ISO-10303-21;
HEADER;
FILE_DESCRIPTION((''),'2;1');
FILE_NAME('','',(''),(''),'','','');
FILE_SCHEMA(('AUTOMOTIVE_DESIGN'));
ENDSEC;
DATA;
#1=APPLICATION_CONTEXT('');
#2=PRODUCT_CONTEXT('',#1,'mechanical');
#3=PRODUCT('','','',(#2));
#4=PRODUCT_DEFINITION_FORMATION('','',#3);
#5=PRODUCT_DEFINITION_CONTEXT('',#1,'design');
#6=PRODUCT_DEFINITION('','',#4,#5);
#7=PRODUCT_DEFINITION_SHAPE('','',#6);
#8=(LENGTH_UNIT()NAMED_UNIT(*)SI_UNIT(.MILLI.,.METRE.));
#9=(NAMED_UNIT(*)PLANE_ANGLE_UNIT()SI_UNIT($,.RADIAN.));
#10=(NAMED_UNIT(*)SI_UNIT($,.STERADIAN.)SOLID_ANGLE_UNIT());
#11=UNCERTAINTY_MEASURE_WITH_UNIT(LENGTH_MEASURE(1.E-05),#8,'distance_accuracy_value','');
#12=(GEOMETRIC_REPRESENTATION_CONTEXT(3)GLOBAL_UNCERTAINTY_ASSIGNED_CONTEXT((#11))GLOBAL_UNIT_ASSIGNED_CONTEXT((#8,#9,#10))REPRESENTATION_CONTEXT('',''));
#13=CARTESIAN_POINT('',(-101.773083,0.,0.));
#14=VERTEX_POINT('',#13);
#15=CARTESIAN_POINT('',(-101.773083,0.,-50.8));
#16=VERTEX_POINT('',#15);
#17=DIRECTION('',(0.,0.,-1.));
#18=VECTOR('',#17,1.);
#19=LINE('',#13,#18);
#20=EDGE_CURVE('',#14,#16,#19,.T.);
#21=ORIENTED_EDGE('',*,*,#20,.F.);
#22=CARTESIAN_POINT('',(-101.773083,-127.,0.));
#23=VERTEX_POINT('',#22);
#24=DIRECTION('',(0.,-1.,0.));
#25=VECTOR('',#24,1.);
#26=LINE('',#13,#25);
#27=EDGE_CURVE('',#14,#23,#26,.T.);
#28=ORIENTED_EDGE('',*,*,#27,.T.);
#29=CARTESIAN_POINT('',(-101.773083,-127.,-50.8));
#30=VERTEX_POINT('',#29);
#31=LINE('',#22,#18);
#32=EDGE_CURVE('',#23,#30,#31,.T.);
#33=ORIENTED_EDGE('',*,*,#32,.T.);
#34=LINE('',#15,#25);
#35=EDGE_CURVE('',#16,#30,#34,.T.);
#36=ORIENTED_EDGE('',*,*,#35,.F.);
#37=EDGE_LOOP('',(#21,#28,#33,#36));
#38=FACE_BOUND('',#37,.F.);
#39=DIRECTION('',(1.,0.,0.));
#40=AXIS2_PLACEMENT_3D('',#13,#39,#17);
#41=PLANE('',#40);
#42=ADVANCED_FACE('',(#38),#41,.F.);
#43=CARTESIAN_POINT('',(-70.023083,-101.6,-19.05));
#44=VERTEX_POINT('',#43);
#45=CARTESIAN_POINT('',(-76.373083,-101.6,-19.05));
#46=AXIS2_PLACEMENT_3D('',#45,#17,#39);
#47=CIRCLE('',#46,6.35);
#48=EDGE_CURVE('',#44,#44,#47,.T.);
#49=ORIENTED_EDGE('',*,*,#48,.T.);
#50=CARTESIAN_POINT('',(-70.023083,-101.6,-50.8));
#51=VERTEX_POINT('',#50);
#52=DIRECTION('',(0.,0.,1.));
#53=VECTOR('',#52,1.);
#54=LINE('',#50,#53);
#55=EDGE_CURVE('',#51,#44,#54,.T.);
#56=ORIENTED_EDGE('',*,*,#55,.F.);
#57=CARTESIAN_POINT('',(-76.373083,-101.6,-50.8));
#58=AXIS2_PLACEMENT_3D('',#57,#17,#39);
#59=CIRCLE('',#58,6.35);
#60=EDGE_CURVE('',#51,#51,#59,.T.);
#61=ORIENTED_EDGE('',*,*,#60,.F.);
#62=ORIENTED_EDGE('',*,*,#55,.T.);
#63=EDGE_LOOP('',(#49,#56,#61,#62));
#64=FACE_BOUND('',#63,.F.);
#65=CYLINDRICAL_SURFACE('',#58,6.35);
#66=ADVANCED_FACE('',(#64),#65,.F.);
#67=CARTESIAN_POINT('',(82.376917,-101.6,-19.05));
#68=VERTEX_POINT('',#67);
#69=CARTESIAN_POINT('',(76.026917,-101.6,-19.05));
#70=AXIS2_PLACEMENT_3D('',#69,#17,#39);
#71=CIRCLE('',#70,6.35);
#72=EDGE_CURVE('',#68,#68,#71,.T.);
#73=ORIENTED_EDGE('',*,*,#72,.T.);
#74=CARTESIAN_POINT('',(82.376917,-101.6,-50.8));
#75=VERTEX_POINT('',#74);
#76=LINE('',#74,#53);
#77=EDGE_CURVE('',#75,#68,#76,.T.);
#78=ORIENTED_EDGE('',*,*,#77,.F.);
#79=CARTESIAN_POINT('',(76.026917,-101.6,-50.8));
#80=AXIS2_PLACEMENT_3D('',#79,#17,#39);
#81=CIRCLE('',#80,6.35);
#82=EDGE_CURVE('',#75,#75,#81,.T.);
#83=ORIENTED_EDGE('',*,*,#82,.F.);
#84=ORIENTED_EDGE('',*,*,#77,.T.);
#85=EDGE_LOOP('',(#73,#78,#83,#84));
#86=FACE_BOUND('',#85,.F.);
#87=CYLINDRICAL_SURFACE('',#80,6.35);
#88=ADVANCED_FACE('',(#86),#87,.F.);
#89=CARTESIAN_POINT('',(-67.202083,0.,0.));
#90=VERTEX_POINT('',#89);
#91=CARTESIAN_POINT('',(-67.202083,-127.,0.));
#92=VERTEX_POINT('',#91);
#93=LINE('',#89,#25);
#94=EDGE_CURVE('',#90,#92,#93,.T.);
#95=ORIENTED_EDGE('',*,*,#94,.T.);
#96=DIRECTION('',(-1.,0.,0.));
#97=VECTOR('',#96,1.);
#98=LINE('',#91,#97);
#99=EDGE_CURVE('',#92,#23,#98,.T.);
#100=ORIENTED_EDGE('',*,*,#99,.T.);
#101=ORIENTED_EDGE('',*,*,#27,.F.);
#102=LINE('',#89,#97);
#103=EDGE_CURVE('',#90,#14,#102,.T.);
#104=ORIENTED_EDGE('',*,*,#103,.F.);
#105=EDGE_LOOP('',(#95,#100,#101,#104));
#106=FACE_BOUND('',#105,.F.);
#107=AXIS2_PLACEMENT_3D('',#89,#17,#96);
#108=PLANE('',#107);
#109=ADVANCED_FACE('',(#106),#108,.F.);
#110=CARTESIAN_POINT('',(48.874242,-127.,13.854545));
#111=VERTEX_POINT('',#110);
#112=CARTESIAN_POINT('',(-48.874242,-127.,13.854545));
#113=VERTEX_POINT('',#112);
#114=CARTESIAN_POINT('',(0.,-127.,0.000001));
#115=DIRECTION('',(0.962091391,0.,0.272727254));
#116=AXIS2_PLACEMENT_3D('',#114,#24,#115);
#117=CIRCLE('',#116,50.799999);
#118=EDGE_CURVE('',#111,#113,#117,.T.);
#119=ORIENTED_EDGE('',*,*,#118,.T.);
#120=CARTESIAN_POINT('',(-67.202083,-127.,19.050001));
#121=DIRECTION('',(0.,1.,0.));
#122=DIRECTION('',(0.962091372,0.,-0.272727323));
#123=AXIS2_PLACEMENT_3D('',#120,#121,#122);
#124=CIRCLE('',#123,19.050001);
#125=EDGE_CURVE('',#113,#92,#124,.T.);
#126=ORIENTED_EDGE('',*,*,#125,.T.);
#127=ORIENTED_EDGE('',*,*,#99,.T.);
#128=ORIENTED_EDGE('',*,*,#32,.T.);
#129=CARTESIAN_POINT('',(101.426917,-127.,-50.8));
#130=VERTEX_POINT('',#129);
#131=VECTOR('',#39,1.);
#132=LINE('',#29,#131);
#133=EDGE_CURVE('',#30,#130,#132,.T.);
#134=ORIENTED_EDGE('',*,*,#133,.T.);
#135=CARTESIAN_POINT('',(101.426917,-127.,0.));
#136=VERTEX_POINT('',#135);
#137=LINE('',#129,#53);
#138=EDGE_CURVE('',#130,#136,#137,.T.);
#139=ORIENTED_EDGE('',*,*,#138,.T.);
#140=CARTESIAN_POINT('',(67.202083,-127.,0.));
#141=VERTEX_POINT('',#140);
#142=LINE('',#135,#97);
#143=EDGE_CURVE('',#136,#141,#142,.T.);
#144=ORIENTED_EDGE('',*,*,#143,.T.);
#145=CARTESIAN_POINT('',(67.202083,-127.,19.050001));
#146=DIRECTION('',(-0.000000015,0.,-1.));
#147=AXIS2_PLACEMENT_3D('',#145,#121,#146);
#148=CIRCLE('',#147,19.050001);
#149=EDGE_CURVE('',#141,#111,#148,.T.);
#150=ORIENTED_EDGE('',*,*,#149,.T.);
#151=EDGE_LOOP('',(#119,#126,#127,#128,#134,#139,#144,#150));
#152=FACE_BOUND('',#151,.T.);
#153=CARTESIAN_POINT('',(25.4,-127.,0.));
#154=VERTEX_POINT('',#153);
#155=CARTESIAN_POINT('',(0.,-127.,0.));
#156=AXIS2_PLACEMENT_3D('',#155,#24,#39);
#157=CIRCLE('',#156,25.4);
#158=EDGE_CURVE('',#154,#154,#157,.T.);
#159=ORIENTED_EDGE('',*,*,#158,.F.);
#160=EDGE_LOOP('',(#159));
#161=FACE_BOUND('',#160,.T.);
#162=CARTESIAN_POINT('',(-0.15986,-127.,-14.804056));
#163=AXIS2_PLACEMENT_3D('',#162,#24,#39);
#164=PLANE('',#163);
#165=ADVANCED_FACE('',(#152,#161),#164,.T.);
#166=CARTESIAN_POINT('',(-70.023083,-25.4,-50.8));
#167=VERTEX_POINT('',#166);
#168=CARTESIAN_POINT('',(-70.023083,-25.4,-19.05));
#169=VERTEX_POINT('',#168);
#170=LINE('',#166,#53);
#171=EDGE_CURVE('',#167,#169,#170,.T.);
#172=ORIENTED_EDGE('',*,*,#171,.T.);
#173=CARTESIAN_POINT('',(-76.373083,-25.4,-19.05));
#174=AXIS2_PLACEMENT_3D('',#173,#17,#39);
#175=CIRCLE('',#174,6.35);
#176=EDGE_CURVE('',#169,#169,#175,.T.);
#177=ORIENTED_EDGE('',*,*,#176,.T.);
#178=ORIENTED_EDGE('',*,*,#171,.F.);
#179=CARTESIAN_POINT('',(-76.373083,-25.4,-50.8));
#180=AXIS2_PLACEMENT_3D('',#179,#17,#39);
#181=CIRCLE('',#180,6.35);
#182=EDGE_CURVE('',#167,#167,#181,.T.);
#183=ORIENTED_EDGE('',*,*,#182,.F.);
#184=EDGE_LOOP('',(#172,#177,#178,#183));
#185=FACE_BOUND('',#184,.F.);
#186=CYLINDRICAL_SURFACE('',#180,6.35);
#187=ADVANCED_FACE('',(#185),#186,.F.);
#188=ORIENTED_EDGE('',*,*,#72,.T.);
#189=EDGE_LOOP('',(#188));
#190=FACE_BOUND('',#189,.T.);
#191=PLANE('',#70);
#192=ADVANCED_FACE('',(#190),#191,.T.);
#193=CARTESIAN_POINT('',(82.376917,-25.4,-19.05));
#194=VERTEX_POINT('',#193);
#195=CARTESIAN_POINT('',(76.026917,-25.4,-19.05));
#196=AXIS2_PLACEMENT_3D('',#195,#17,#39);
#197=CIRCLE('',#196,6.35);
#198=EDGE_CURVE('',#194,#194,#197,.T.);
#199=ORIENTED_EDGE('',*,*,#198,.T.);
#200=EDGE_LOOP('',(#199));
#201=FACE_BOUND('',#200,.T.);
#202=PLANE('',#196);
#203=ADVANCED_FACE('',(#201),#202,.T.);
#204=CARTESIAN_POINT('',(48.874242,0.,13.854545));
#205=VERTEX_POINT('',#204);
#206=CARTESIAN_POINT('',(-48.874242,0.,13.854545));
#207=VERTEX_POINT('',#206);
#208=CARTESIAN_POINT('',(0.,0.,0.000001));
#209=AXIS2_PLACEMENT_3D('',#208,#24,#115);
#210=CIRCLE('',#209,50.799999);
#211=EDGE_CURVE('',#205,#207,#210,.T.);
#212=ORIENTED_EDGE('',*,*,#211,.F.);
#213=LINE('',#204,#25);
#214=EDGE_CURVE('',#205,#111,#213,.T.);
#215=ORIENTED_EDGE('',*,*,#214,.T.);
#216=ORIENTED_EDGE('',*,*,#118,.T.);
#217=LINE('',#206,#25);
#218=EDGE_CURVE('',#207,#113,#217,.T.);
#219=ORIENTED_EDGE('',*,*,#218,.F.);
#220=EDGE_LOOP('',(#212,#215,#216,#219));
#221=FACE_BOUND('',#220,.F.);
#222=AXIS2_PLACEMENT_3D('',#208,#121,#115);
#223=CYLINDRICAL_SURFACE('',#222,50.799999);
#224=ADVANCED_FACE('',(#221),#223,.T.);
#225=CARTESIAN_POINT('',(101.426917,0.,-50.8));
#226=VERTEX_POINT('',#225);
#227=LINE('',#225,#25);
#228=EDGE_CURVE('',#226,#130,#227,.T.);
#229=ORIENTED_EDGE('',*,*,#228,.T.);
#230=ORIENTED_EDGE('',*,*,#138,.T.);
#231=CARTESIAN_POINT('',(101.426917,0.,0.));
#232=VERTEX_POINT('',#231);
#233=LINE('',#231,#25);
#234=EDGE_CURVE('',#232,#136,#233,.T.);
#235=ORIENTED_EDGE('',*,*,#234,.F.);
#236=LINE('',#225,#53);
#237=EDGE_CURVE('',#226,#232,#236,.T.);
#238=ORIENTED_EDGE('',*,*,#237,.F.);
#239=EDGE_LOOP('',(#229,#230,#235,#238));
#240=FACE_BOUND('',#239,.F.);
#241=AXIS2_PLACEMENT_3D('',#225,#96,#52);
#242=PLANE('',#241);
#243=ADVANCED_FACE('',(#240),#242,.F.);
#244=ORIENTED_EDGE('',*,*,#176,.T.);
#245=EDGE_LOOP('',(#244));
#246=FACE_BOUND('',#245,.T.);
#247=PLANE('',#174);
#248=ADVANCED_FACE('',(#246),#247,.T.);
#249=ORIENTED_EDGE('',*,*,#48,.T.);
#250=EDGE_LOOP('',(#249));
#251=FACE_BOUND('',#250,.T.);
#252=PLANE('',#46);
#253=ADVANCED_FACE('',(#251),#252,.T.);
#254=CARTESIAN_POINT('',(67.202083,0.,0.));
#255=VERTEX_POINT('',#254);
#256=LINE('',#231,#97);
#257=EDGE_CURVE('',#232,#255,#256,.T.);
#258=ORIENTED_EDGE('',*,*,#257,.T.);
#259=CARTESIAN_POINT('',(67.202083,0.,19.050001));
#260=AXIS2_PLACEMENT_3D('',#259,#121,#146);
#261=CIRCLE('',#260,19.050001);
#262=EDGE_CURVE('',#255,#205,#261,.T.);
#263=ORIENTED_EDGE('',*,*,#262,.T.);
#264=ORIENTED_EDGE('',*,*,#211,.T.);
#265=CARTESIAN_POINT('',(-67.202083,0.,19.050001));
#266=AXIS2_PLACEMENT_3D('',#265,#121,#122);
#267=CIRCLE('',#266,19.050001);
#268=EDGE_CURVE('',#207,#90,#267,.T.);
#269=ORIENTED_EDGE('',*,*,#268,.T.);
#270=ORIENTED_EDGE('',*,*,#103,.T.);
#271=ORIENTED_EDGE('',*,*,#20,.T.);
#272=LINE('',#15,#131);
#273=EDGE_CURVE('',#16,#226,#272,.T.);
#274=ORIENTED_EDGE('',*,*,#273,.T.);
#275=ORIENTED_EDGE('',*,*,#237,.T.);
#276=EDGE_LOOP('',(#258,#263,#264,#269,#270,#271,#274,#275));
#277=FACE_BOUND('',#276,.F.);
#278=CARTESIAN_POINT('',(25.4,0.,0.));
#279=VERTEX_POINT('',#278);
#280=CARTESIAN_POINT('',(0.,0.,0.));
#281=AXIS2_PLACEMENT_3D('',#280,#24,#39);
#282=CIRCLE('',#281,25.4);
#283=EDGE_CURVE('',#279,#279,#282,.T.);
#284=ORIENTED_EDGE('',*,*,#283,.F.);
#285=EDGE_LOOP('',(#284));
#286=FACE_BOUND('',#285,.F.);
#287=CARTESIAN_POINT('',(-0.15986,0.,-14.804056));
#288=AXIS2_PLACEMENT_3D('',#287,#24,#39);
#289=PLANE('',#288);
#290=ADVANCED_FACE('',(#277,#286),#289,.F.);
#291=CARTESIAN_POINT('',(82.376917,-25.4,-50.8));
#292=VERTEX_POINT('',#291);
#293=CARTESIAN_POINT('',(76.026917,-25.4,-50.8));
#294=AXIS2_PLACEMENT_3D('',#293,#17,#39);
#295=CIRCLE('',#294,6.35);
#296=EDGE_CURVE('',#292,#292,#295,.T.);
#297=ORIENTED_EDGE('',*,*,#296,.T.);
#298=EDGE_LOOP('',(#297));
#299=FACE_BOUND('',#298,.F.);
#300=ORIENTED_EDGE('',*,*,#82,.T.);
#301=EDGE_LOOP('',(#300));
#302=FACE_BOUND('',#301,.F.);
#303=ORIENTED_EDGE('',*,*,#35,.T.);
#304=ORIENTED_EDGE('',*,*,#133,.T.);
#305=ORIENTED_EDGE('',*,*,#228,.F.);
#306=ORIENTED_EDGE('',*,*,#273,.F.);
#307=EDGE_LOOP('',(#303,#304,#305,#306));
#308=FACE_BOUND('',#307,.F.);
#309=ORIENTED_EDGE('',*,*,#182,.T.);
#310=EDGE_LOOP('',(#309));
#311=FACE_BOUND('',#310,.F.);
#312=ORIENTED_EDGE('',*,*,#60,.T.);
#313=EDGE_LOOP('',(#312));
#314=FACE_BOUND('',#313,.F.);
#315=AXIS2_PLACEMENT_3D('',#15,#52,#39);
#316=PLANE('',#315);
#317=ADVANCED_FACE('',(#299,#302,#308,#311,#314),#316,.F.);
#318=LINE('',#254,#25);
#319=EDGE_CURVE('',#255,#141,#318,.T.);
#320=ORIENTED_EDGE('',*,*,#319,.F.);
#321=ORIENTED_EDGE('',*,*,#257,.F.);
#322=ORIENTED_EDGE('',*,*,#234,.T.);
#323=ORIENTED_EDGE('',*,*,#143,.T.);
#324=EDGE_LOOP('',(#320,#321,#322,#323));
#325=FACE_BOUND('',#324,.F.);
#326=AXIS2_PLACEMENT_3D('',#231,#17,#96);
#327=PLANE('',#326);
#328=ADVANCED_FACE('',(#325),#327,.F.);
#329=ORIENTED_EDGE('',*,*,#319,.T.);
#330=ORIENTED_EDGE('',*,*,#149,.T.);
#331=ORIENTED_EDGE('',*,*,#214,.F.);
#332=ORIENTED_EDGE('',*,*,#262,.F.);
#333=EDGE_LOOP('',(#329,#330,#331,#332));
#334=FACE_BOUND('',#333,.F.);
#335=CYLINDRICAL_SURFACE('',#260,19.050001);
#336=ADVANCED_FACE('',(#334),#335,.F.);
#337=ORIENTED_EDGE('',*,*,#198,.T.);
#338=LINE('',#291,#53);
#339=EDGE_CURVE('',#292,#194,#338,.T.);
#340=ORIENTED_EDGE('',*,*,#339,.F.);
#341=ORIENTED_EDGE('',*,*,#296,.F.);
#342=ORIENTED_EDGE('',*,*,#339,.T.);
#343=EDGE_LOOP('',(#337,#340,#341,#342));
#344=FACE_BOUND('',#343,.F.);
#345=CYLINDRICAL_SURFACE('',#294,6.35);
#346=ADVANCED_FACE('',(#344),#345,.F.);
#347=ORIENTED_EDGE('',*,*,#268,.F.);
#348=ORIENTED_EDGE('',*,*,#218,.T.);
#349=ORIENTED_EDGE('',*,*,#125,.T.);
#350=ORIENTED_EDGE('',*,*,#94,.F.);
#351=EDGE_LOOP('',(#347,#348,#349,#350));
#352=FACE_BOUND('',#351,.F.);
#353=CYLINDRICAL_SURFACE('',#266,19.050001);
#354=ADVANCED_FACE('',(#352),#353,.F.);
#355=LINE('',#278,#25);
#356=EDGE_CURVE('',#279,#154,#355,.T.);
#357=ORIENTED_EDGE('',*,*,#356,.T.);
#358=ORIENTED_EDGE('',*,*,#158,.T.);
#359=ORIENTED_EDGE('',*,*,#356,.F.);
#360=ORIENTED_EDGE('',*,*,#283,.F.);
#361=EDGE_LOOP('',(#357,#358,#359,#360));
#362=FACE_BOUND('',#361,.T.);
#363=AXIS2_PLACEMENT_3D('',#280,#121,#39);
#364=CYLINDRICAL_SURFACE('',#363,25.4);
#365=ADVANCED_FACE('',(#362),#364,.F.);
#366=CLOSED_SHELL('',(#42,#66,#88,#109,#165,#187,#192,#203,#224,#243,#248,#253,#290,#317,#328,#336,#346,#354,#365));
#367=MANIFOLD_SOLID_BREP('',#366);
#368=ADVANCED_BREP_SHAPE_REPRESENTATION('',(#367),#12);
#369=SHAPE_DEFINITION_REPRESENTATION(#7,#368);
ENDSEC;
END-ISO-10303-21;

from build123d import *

# Parameters (mm, degrees)
F0_R     = 25.4
F1_DEPTH = 127
F2_R     = 6.35
F3_DEPTH = 31.75


with BuildPart() as f1:
    # F0 (on Front) → F1 (new body)
    with BuildSketch(Plane.XZ):
        with BuildLine():
            Line((101.426917, -50.8), (101.426917, 0))
            Line((101.426917, 0), (67.202083, 0))
            ThreePointArc((67.202083, 0), (55.714501, 3.853357), (48.874242, 13.854545))
            ThreePointArc((48.874242, 13.854545), (0, 50.8), (-48.874242, 13.854545))
            ThreePointArc((-48.874242, 13.854545), (-55.714501, 3.853357), (-67.202083, 0))
            Line((-67.202083, 0), (-101.773083, 0))
            Line((-101.773083, 0), (-101.773083, -50.8))
            Line((-101.773083, -50.8), (101.426917, -50.8))
        make_face()
        Circle(F0_R, mode=Mode.SUBTRACT)
    extrude(amount=F1_DEPTH)

    # F2 (on face) → F3 (cut)
    with BuildSketch(Plane(origin=(0, 0, -50.8), x_dir=(1, 0, 0), z_dir=(0, 0, -1))):
        with Locations((-76.373083, 101.6)):
            Circle(F2_R)
        with Locations((-76.373083, 25.4)):
            Circle(F2_R)
        with Locations((76.026917, 101.6)):
            Circle(F2_R)
        with Locations((76.026917, 25.4)):
            Circle(F2_R)
    extrude(amount=-F3_DEPTH, mode=Mode.SUBTRACT)


solid = f1.part
